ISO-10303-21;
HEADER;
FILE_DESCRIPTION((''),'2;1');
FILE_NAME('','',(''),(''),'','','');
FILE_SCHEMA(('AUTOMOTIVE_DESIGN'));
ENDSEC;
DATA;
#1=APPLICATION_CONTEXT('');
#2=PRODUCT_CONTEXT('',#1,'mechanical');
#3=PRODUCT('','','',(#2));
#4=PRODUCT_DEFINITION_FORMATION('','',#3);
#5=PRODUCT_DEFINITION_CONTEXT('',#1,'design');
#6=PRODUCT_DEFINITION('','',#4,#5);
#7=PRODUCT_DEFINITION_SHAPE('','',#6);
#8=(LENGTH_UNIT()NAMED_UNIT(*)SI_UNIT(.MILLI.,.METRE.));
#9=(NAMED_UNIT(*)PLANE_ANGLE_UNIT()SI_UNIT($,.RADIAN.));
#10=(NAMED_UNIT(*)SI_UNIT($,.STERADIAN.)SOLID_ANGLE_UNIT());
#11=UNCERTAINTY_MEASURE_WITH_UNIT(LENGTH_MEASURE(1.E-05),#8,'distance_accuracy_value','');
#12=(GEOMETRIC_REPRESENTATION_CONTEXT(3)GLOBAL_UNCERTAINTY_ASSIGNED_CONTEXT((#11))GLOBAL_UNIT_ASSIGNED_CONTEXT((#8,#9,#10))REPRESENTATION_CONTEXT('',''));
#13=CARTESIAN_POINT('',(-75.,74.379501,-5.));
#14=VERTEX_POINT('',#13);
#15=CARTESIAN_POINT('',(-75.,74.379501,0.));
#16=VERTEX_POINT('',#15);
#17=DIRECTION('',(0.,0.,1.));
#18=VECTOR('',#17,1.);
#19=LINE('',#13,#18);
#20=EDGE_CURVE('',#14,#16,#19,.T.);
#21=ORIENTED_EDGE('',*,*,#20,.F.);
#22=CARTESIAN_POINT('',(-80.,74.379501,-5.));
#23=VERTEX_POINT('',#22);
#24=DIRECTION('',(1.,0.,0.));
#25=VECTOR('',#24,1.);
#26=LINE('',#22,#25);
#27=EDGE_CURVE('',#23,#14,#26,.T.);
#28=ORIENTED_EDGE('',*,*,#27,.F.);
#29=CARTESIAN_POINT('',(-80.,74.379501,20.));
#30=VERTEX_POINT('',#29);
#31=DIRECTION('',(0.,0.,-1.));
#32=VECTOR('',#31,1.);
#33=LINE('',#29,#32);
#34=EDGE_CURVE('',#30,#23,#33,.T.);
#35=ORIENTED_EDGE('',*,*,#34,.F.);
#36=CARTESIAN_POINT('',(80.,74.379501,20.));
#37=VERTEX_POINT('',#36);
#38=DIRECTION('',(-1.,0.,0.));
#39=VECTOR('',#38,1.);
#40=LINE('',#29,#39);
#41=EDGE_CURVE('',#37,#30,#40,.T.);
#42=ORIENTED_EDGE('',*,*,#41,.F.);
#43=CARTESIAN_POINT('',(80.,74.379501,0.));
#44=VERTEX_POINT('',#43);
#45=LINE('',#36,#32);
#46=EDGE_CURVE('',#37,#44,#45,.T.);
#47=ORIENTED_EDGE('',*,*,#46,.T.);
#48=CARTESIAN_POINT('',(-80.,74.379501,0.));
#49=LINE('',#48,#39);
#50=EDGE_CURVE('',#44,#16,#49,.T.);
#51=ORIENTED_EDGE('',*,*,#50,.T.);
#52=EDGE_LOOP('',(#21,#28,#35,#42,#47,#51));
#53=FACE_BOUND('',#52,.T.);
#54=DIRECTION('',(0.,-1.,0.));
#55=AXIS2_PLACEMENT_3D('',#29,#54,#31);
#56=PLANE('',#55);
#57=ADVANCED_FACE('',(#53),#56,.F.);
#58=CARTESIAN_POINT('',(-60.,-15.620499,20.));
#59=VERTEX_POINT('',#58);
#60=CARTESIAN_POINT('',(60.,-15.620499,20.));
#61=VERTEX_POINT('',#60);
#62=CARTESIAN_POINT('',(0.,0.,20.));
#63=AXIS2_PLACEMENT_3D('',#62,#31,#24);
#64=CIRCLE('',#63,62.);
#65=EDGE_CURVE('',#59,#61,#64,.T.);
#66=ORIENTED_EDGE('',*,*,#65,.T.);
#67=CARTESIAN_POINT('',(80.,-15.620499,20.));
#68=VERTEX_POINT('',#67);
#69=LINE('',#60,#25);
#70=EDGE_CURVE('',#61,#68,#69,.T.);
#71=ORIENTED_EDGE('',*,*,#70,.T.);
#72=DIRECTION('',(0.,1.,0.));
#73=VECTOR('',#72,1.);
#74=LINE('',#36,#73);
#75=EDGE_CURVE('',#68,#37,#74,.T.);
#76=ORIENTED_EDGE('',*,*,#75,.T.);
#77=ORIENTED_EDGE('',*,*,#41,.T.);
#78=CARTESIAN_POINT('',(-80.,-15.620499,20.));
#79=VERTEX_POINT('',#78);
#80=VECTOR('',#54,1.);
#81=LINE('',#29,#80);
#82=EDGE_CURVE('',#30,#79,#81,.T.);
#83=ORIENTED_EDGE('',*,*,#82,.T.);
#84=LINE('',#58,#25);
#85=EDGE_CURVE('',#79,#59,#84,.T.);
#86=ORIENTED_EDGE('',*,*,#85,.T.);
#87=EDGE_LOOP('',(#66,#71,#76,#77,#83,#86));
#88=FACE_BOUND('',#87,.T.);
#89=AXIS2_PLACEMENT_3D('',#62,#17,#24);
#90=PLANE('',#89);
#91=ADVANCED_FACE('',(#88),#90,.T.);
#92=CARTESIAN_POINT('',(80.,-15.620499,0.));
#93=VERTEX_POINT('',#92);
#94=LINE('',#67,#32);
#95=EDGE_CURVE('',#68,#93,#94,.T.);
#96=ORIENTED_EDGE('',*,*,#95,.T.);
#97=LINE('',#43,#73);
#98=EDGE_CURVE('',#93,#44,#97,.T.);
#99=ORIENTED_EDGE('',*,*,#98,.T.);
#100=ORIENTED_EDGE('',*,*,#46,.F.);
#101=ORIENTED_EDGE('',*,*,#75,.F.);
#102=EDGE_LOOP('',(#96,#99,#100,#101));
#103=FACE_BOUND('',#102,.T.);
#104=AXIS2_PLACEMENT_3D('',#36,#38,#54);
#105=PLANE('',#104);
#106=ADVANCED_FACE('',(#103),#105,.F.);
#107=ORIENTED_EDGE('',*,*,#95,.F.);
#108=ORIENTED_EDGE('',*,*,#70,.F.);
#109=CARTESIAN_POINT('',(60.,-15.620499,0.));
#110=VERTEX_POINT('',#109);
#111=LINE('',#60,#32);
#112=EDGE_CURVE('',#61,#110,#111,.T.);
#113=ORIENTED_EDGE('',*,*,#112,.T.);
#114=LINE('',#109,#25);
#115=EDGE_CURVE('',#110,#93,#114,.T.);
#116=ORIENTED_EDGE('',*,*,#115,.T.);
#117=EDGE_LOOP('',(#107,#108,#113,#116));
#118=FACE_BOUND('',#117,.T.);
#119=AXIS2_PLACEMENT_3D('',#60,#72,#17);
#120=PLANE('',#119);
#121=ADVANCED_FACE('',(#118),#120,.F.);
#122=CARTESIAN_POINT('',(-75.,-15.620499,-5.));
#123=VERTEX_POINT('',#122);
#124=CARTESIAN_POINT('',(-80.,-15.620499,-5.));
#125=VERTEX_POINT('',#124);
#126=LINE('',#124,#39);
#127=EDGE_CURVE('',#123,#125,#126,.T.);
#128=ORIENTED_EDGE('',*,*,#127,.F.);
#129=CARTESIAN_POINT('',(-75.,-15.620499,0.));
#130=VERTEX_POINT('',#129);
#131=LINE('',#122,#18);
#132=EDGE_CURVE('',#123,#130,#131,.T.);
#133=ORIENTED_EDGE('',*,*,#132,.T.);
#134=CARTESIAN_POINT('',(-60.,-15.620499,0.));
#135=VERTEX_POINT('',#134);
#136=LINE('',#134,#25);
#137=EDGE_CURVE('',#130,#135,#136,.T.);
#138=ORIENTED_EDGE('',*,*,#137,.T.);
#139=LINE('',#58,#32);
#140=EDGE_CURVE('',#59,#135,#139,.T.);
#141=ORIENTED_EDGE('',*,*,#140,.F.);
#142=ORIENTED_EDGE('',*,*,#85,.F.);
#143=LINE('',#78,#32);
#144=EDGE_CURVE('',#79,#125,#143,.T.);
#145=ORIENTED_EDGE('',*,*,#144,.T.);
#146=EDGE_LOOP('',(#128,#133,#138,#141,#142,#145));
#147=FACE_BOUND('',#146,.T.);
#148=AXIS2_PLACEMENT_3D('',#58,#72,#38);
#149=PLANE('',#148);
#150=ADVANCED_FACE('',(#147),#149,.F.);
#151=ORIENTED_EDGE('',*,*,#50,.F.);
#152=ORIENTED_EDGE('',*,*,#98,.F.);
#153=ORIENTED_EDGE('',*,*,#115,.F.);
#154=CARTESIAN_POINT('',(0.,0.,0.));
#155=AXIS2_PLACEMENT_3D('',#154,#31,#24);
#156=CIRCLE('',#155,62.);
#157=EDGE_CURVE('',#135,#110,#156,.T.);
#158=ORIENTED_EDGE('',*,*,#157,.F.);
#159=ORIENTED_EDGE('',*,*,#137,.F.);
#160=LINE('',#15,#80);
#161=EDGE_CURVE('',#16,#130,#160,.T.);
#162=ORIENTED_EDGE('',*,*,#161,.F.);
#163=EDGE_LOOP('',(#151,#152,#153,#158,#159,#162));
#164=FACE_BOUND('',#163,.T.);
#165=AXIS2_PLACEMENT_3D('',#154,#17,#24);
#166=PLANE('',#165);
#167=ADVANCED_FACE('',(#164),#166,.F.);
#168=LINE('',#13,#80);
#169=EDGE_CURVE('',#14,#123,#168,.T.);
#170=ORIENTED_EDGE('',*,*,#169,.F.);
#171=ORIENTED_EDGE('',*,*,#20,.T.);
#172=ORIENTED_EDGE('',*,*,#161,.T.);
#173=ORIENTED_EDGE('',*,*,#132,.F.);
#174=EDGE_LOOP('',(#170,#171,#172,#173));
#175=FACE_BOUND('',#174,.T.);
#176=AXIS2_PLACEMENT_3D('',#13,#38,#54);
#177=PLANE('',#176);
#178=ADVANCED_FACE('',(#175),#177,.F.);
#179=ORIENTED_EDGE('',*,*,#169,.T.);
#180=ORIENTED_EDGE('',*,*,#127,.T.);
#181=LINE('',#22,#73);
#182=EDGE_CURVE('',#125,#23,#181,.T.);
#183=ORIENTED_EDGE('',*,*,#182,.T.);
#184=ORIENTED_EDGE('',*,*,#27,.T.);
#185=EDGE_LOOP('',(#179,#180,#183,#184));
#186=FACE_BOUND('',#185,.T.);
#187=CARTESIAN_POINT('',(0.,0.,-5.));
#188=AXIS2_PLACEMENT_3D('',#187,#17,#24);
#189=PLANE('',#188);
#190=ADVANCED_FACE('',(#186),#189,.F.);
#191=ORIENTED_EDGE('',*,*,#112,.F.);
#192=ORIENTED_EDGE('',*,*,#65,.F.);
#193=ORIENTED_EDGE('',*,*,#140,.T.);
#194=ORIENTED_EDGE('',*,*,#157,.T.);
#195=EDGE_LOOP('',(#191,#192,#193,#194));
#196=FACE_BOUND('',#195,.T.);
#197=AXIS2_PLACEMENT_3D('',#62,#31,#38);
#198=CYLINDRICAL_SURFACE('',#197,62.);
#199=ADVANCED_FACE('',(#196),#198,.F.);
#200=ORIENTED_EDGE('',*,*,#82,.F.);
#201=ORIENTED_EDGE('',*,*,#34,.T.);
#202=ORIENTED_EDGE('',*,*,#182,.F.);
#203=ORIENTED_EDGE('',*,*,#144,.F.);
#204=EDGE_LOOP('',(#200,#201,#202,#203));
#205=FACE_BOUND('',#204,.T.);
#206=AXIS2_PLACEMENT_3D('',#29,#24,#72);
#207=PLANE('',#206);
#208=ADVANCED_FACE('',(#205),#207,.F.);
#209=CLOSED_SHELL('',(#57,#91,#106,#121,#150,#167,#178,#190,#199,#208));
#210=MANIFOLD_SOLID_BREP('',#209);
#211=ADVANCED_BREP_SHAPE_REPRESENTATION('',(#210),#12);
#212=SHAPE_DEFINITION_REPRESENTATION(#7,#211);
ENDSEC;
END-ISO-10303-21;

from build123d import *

# Parameters (mm, degrees)
BOSS_EXTRUDE1_DEPTH = 20
SKETCH4_W           = 5
SKETCH4_H           = 90
BOSS_EXTRUDE4_DEPTH = 5


with BuildPart() as part:
    # Sketch1 → Boss-Extrude1 (new body)
    with BuildSketch(Plane.XY):
        with BuildLine():
            Line((-80, 74.379500648), (-80, -15.620499352))
            Line((-80, -15.620499352), (-60, -15.620499352))
            ThreePointArc((-60, -15.620499352), (0, 62), (60, -15.620499352))
            Line((60, -15.620499352), (80, -15.620499352))
            Line((80, -15.620499352), (80, 74.379500648))
            Line((80, 74.379500648), (-80, 74.379500648))
        make_face()
    extrude(amount=BOSS_EXTRUDE1_DEPTH)

    # Sketch4 → Boss-Extrude4 (add)
    with BuildSketch(Plane(origin=(0, 0, 0), x_dir=(-1, 0, 0), z_dir=(0, 0, -1))):
        with Locations((77.5, 29.379500648)):
            Rectangle(SKETCH4_W, SKETCH4_H)
    extrude(amount=BOSS_EXTRUDE4_DEPTH)


solid = part.part
